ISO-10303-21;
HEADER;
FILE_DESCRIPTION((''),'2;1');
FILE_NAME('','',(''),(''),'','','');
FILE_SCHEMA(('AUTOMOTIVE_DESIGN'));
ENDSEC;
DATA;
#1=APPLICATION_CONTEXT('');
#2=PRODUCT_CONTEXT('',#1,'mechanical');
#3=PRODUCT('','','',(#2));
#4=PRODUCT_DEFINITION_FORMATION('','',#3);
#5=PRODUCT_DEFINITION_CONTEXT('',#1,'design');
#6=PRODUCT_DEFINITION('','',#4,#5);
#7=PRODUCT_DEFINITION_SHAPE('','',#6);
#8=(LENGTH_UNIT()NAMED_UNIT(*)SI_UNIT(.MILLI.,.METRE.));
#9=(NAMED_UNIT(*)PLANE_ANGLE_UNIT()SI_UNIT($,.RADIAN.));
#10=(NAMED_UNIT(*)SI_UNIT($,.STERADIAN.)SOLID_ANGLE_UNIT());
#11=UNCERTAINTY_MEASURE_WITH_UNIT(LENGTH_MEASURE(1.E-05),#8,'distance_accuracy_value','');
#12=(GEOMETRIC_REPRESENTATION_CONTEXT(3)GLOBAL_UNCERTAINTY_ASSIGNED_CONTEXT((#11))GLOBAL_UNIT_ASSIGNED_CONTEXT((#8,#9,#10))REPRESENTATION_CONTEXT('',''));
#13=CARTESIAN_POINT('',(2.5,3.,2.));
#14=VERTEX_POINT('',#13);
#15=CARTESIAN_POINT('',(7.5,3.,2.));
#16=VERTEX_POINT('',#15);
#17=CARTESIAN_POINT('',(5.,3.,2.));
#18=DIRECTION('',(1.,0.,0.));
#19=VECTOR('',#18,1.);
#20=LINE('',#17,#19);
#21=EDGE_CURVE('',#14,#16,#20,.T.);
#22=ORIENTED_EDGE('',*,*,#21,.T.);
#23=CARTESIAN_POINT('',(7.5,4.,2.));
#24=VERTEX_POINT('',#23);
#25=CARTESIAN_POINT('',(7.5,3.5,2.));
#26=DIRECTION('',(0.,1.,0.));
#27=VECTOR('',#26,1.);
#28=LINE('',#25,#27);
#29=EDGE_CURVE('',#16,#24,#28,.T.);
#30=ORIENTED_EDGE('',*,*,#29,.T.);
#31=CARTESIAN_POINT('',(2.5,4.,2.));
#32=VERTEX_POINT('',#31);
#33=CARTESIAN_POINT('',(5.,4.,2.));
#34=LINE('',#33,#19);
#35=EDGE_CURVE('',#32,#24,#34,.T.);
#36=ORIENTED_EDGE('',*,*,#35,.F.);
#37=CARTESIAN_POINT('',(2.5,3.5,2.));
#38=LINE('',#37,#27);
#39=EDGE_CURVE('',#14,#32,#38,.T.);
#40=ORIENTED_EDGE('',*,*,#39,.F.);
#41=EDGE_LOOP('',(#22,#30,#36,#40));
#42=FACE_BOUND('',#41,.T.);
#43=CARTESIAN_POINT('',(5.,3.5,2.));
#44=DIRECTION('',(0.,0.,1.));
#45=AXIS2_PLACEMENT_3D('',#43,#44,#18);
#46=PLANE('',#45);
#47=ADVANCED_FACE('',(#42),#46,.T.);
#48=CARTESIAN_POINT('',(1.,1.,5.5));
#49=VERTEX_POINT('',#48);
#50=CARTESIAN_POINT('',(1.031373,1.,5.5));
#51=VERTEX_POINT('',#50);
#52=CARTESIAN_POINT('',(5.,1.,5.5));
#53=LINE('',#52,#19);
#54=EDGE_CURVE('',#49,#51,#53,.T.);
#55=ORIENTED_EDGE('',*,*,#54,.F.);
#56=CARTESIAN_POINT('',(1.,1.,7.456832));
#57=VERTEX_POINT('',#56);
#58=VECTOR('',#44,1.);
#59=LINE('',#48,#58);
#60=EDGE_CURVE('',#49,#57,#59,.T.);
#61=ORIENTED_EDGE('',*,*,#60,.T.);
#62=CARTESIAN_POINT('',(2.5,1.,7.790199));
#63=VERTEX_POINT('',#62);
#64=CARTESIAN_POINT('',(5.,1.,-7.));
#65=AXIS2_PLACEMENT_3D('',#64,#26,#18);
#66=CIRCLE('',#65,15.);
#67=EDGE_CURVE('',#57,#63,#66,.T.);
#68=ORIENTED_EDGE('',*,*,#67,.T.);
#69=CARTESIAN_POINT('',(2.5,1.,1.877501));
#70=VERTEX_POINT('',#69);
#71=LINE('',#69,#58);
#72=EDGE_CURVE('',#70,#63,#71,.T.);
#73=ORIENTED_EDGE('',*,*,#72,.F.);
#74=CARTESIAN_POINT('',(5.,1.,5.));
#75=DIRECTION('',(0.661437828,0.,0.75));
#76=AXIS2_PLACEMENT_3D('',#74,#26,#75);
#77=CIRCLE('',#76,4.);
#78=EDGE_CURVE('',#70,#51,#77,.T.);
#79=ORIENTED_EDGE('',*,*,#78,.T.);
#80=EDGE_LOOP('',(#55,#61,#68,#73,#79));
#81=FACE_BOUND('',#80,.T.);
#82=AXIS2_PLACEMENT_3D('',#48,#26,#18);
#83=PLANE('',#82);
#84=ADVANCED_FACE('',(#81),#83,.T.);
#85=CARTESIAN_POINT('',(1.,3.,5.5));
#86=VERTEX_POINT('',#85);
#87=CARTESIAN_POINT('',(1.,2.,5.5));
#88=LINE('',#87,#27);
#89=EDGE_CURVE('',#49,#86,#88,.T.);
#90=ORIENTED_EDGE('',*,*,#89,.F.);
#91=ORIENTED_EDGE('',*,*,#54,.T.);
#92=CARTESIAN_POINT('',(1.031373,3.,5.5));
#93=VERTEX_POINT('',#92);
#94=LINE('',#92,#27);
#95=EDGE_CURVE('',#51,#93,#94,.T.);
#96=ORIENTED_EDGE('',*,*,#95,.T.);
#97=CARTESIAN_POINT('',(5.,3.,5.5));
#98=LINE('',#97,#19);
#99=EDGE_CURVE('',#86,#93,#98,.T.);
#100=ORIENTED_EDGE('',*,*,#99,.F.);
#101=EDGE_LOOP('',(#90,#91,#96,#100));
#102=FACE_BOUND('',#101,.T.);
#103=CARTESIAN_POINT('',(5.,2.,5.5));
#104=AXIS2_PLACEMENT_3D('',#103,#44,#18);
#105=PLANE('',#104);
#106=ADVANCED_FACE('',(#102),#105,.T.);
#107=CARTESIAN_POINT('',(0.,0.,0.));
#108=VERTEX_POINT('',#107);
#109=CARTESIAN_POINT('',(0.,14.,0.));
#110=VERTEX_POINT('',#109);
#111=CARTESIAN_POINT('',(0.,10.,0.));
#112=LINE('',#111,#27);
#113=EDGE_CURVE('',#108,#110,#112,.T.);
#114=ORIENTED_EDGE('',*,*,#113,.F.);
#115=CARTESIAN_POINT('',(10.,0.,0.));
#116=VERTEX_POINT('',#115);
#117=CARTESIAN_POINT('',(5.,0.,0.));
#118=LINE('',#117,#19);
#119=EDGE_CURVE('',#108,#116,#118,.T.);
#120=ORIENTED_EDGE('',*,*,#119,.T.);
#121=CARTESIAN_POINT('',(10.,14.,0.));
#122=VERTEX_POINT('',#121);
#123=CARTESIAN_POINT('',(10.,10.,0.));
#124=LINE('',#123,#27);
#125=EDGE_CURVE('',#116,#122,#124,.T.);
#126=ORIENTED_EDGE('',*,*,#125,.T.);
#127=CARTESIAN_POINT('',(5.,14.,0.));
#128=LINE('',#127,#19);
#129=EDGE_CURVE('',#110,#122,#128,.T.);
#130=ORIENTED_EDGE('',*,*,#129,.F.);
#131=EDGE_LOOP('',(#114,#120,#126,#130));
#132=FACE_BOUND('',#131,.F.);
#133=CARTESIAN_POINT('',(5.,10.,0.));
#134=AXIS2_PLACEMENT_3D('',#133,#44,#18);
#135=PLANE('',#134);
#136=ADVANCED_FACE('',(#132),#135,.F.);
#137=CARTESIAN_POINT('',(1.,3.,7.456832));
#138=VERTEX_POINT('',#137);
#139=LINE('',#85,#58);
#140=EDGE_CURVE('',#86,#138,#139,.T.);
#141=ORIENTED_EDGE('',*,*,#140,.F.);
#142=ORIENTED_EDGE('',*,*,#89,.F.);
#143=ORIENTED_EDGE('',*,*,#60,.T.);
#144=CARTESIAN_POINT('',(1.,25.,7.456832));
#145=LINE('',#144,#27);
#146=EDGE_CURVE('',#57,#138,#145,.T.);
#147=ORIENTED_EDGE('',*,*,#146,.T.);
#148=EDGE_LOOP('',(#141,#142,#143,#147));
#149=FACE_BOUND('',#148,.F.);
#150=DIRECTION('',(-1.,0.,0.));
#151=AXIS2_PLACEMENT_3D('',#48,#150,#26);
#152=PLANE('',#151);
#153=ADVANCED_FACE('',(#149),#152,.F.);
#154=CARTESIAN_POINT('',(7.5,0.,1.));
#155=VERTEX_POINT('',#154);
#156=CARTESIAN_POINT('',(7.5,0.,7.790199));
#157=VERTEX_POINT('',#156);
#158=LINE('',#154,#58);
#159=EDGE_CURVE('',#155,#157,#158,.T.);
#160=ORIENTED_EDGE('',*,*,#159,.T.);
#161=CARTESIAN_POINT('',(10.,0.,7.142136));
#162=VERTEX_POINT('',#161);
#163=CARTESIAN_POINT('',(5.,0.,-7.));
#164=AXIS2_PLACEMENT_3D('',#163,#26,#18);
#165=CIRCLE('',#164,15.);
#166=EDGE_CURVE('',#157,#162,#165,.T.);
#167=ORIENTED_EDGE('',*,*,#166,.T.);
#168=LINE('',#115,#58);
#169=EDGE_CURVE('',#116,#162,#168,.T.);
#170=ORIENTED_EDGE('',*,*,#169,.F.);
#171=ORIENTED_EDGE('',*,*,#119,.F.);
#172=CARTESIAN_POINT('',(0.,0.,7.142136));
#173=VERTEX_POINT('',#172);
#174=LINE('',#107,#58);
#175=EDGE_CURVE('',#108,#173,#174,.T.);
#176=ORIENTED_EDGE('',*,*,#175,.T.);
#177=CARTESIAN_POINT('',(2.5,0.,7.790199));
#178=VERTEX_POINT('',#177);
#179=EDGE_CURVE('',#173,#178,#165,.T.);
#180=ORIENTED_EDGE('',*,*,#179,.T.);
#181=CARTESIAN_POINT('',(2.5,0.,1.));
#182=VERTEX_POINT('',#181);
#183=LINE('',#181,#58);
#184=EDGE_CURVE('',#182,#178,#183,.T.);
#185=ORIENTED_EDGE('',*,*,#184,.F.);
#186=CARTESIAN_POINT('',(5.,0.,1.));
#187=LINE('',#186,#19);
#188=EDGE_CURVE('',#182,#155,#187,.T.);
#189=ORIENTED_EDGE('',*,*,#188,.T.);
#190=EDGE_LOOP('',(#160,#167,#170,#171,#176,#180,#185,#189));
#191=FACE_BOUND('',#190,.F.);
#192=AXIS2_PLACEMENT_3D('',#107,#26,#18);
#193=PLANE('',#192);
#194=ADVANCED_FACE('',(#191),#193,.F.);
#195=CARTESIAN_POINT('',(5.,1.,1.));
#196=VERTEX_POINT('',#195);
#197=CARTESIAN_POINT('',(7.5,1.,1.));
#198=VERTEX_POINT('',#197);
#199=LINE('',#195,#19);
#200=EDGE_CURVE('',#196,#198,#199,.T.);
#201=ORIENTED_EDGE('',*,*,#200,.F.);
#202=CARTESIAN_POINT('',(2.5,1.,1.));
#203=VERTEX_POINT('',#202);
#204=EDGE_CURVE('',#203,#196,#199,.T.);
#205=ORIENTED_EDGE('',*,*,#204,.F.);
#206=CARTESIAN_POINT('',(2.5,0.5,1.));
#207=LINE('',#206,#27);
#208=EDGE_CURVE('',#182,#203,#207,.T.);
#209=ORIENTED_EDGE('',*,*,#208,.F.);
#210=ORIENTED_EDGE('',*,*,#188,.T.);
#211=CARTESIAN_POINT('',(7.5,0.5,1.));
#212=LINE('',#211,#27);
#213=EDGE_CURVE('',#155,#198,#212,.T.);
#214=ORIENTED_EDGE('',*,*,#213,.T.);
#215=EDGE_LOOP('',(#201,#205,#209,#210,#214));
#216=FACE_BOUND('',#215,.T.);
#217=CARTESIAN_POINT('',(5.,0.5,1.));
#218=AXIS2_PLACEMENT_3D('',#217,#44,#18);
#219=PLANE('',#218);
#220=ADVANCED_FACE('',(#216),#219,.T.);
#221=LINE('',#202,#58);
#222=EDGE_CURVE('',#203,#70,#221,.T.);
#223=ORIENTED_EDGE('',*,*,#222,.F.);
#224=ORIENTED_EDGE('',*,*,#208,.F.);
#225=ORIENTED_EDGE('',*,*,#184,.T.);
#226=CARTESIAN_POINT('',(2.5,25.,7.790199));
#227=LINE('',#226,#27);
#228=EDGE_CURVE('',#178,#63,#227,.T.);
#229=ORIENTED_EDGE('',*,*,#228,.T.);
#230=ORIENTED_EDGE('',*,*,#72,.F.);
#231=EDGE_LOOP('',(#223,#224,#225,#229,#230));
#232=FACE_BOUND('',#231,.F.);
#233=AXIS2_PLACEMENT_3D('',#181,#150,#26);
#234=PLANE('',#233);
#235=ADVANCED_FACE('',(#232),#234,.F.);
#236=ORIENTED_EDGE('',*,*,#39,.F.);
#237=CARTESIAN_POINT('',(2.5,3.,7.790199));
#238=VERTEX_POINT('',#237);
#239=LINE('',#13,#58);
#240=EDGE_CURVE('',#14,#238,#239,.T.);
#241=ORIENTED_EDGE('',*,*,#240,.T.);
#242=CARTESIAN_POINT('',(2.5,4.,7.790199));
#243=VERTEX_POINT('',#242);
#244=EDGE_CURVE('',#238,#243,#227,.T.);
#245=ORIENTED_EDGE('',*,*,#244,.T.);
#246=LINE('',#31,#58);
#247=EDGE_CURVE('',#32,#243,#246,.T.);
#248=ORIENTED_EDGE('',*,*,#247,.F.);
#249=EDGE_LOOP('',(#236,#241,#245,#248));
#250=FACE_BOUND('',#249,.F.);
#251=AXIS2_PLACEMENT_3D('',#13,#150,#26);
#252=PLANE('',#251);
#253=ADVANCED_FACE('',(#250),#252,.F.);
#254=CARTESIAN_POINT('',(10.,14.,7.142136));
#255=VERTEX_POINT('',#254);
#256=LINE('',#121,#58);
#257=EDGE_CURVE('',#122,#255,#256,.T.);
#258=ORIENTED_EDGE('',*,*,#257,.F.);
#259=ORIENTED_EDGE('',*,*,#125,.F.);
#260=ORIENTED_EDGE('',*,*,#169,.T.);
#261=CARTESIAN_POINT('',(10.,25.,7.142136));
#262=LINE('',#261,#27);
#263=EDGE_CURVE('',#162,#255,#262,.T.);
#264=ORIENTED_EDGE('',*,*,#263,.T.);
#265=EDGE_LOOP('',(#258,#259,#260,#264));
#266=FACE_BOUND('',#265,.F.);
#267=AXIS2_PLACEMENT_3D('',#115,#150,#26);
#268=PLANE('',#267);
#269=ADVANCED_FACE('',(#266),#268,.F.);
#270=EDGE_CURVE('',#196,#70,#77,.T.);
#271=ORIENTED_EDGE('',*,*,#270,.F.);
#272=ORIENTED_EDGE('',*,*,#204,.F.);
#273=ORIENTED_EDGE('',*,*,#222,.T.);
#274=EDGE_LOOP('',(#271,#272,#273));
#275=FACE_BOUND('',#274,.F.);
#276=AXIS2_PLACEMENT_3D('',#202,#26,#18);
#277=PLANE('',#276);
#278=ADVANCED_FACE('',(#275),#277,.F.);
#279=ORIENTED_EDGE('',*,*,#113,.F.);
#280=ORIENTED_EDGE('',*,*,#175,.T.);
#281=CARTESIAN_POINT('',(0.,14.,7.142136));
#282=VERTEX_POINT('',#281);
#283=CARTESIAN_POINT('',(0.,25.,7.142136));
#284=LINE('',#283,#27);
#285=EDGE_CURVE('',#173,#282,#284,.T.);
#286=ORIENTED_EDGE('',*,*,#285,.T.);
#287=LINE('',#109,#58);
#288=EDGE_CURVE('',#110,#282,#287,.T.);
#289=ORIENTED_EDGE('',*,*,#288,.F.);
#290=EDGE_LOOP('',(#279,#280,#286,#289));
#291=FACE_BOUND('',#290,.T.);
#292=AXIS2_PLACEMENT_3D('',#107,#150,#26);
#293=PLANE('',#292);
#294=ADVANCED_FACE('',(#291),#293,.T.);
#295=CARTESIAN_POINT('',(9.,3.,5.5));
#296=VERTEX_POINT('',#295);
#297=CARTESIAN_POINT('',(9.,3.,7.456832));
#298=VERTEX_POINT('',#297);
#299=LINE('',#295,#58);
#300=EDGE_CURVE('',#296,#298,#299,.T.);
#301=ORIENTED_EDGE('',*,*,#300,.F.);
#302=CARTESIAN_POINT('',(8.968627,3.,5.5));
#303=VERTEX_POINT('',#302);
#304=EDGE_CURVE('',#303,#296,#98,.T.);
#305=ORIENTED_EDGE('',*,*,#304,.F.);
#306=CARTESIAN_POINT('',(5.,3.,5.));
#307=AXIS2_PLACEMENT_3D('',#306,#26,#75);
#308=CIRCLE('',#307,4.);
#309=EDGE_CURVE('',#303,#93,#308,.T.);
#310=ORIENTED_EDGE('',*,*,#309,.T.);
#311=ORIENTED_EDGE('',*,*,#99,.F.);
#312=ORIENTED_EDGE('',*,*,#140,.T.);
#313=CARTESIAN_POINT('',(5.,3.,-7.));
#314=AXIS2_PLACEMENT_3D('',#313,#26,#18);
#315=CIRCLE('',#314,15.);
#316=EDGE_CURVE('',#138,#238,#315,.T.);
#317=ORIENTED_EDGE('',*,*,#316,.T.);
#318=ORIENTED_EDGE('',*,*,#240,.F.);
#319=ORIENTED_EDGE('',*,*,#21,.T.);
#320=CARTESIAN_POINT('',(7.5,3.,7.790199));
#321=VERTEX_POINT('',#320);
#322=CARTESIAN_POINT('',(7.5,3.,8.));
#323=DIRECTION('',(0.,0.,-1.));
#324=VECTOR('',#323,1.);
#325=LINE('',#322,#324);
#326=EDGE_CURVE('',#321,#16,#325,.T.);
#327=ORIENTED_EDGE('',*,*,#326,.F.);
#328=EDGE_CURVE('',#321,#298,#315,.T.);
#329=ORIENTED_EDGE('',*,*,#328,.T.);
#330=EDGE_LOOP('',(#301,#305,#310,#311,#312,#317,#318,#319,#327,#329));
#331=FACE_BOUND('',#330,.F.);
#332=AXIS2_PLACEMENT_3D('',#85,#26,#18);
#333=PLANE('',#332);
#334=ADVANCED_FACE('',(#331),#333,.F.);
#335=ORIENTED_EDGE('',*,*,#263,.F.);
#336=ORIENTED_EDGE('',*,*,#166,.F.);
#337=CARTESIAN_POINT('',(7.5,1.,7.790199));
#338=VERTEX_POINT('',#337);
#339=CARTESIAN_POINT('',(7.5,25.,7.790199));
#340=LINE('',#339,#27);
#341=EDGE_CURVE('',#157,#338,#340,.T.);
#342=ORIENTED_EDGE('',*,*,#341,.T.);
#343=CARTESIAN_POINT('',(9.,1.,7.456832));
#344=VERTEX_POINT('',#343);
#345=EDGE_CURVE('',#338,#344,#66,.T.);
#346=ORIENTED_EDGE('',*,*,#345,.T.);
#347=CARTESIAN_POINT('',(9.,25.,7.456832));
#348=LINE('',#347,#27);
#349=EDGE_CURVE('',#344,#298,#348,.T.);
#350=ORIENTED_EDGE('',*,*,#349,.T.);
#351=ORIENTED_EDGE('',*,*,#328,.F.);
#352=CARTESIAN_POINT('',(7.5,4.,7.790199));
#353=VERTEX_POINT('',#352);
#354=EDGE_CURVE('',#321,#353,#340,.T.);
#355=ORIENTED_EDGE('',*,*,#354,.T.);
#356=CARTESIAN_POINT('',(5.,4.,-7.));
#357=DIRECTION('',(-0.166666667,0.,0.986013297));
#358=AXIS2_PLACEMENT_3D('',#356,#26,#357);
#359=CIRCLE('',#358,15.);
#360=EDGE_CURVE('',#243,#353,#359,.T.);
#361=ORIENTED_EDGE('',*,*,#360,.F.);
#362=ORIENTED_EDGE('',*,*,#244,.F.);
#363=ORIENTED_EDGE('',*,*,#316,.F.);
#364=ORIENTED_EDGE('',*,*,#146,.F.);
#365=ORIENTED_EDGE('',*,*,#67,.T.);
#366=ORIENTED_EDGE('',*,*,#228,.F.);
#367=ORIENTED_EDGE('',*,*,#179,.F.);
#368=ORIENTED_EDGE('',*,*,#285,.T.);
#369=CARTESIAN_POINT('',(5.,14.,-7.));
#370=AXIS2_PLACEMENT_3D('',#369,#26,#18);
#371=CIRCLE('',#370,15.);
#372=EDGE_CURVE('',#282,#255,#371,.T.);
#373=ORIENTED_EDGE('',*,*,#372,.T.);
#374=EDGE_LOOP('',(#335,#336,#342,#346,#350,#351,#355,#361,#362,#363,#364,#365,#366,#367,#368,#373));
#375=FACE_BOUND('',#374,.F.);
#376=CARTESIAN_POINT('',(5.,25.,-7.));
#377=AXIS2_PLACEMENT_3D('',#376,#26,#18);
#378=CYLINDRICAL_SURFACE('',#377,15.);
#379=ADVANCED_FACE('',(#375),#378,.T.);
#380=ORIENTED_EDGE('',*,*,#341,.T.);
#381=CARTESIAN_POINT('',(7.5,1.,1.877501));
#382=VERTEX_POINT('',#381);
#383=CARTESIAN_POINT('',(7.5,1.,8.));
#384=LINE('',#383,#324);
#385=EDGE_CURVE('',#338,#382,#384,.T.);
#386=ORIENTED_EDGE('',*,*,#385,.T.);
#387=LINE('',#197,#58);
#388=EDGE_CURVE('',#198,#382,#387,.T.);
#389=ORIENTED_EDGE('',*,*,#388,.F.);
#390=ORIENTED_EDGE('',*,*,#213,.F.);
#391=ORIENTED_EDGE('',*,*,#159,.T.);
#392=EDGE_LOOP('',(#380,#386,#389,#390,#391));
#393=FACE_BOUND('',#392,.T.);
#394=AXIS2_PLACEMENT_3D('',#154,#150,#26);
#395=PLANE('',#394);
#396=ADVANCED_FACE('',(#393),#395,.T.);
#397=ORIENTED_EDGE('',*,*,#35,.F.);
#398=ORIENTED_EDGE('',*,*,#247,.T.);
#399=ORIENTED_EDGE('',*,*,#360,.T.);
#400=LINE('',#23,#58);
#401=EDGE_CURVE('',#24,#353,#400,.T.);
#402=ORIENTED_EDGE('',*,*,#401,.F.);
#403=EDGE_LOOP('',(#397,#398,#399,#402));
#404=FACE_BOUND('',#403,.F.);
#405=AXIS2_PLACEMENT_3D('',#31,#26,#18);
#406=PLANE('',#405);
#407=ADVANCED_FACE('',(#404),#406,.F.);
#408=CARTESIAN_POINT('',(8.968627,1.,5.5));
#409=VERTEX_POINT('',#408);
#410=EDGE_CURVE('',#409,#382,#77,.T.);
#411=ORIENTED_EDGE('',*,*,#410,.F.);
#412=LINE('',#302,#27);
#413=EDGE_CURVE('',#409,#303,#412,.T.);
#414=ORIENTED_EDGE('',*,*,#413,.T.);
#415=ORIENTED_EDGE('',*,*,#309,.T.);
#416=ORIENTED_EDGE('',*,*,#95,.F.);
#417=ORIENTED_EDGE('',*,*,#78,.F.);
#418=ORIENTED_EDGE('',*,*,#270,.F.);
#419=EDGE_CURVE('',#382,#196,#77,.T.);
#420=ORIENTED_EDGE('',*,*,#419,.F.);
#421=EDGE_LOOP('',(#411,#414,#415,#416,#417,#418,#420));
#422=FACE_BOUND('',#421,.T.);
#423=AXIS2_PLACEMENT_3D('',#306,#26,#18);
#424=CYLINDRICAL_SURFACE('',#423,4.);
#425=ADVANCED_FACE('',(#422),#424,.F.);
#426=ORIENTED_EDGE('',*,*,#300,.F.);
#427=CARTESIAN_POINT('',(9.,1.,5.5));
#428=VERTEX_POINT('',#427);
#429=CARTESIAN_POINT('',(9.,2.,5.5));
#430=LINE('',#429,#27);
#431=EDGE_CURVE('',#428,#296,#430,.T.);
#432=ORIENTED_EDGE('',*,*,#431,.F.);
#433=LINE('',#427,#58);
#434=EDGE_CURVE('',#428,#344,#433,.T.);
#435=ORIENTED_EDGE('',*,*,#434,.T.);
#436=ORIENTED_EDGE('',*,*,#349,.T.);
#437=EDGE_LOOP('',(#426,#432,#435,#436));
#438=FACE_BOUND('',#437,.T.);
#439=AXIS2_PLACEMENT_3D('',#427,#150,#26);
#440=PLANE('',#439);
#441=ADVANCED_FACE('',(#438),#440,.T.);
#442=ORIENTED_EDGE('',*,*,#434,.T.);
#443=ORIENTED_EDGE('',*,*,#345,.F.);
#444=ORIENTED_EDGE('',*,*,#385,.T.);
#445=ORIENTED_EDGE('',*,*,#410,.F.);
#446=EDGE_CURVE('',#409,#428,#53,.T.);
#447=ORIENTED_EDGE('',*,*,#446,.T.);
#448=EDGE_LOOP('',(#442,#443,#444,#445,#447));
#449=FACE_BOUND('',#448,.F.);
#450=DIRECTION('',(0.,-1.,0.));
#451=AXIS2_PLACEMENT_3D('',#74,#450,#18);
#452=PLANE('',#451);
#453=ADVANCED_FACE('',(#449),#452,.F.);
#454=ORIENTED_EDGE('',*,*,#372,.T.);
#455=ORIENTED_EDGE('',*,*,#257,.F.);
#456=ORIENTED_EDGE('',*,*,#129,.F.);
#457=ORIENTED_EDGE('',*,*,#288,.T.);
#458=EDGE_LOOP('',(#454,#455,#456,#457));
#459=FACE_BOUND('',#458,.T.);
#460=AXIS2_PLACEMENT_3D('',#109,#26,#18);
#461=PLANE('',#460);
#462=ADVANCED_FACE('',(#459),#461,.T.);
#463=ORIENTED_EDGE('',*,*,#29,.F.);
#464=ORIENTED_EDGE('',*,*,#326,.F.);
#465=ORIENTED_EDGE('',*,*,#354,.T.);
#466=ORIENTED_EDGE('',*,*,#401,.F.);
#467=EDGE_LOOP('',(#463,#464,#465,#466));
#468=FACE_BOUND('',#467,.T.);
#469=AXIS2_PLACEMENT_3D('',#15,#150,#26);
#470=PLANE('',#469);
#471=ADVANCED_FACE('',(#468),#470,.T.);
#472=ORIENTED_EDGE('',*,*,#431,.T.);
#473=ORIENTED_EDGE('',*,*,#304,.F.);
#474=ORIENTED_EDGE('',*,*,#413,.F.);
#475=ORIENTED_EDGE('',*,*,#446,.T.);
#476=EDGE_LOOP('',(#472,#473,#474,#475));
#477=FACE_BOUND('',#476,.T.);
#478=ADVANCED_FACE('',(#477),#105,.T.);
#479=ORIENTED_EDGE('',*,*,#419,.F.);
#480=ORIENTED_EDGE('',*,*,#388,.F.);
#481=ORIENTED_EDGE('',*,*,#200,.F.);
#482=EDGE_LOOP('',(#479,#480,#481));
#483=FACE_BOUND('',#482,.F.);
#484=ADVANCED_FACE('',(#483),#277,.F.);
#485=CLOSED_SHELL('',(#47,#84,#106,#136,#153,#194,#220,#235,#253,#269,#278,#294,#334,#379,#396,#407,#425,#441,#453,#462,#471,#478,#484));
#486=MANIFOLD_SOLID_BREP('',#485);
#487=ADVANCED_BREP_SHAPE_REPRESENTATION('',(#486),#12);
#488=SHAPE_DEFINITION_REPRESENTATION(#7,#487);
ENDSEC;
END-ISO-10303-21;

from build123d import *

# Parameters (mm, degrees)
BOX004_W               = 10
BOX004_H               = 10
BOX004_DEPTH           = 10
CYLINDER001_R          = 15
CYLINDER001_DEPTH      = 30
CYLINDER001_ROLL_ANGLE = 90
BOX003_W               = 8
BOX003_H               = 2
BOX003_DEPTH           = 2.5
BOX002_W               = 5
BOX002_H               = 1
BOX002_DEPTH           = 6
BOX001_W               = 5
BOX001_H               = 1
BOX001_DEPTH           = 7
CYLINDER_R             = 4
CYLINDER_DEPTH         = 2
CYLINDER_ROLL_ANGLE    = 90
BOX_W                  = 10
BOX_H                  = 20
BOX_DEPTH              = 8


with BuildPart() as end_offcut:
    # Box004 → Box004 (new body)
    with BuildSketch(Plane(origin=(0, 14, 0), x_dir=(1, 0, 0), z_dir=(0, 0, 1))):
        with Locations((5, 5)):
            Rectangle(BOX004_W, BOX004_H)
    extrude(amount=BOX004_DEPTH)


with BuildPart() as rounded_top:
    # Cylinder001 → Cylinder001 (new body)
    with BuildSketch(Plane.XY):
        Circle(CYLINDER001_R)
    extrude(amount=CYLINDER001_DEPTH)


with BuildPart() as rounded_top_1:
    # Cylinder001 roll: moved
    add(rounded_top.part.rotate(Axis((0, 0, 0), (1, 0, 0)), CYLINDER001_ROLL_ANGLE))


with BuildPart() as rounded_top_2:
    # Cylinder001 placement: moved
    add(rounded_top_1.part.moved(Location((5, 25, -7))))


with BuildPart() as cylinder_edge_refinement:
    # Box003 → Box003 (new body)
    with BuildSketch(Plane(origin=(1, 1, 5.5), x_dir=(1, 0, 0), z_dir=(0, 0, 1))):
        with Locations((4, 1)):
            Rectangle(BOX003_W, BOX003_H)
    extrude(amount=BOX003_DEPTH)


with BuildPart() as interior_opening:
    # Box002 → Box002 (new body)
    with BuildSketch(Plane(origin=(2.5, 3, 2), x_dir=(1, 0, 0), z_dir=(0, 0, 1))):
        with Locations((2.5, 0.5)):
            Rectangle(BOX002_W, BOX002_H)
    extrude(amount=BOX002_DEPTH)


with BuildPart() as end_opening:
    # Box001 → Box001 (new body)
    with BuildSketch(Plane(origin=(2.5, 0, 1), x_dir=(1, 0, 0), z_dir=(0, 0, 1))):
        with Locations((2.5, 0.5)):
            Rectangle(BOX001_W, BOX001_H)
    extrude(amount=BOX001_DEPTH)


with BuildPart() as solenoid_head_slot:
    # Cylinder → Cylinder (new body)
    with BuildSketch(Plane.XY):
        Circle(CYLINDER_R)
    extrude(amount=CYLINDER_DEPTH)


with BuildPart() as solenoid_head_slot_1:
    # Cylinder roll: moved
    add(solenoid_head_slot.part.rotate(Axis((0, 0, 0), (1, 0, 0)), CYLINDER_ROLL_ANGLE))


with BuildPart() as solenoid_head_slot_2:
    # Cylinder placement: moved
    add(solenoid_head_slot_1.part.moved(Location((5, 3, 5))))


with BuildPart() as cut004:
    # Box → Box (new body)
    with BuildSketch(Plane.XY):
        with Locations((5, 10)):
            Rectangle(BOX_W, BOX_H)
    extrude(amount=BOX_DEPTH)

    # Cut: cut solenoid_head_slot
    add(solenoid_head_slot_2.part, mode=Mode.SUBTRACT)

    # Cut001: cut end_opening
    add(end_opening.part, mode=Mode.SUBTRACT)

    # Cut002: cut interior_opening
    add(interior_opening.part, mode=Mode.SUBTRACT)

    # Cut003: cut cylinder_edge_refinement
    add(cylinder_edge_refinement.part, mode=Mode.SUBTRACT)

    # Common: intersect rounded_top
    add(rounded_top_2.part, mode=Mode.INTERSECT)

    # Cut004: cut end_offcut
    add(end_offcut.part, mode=Mode.SUBTRACT)


solid = cut004.part
